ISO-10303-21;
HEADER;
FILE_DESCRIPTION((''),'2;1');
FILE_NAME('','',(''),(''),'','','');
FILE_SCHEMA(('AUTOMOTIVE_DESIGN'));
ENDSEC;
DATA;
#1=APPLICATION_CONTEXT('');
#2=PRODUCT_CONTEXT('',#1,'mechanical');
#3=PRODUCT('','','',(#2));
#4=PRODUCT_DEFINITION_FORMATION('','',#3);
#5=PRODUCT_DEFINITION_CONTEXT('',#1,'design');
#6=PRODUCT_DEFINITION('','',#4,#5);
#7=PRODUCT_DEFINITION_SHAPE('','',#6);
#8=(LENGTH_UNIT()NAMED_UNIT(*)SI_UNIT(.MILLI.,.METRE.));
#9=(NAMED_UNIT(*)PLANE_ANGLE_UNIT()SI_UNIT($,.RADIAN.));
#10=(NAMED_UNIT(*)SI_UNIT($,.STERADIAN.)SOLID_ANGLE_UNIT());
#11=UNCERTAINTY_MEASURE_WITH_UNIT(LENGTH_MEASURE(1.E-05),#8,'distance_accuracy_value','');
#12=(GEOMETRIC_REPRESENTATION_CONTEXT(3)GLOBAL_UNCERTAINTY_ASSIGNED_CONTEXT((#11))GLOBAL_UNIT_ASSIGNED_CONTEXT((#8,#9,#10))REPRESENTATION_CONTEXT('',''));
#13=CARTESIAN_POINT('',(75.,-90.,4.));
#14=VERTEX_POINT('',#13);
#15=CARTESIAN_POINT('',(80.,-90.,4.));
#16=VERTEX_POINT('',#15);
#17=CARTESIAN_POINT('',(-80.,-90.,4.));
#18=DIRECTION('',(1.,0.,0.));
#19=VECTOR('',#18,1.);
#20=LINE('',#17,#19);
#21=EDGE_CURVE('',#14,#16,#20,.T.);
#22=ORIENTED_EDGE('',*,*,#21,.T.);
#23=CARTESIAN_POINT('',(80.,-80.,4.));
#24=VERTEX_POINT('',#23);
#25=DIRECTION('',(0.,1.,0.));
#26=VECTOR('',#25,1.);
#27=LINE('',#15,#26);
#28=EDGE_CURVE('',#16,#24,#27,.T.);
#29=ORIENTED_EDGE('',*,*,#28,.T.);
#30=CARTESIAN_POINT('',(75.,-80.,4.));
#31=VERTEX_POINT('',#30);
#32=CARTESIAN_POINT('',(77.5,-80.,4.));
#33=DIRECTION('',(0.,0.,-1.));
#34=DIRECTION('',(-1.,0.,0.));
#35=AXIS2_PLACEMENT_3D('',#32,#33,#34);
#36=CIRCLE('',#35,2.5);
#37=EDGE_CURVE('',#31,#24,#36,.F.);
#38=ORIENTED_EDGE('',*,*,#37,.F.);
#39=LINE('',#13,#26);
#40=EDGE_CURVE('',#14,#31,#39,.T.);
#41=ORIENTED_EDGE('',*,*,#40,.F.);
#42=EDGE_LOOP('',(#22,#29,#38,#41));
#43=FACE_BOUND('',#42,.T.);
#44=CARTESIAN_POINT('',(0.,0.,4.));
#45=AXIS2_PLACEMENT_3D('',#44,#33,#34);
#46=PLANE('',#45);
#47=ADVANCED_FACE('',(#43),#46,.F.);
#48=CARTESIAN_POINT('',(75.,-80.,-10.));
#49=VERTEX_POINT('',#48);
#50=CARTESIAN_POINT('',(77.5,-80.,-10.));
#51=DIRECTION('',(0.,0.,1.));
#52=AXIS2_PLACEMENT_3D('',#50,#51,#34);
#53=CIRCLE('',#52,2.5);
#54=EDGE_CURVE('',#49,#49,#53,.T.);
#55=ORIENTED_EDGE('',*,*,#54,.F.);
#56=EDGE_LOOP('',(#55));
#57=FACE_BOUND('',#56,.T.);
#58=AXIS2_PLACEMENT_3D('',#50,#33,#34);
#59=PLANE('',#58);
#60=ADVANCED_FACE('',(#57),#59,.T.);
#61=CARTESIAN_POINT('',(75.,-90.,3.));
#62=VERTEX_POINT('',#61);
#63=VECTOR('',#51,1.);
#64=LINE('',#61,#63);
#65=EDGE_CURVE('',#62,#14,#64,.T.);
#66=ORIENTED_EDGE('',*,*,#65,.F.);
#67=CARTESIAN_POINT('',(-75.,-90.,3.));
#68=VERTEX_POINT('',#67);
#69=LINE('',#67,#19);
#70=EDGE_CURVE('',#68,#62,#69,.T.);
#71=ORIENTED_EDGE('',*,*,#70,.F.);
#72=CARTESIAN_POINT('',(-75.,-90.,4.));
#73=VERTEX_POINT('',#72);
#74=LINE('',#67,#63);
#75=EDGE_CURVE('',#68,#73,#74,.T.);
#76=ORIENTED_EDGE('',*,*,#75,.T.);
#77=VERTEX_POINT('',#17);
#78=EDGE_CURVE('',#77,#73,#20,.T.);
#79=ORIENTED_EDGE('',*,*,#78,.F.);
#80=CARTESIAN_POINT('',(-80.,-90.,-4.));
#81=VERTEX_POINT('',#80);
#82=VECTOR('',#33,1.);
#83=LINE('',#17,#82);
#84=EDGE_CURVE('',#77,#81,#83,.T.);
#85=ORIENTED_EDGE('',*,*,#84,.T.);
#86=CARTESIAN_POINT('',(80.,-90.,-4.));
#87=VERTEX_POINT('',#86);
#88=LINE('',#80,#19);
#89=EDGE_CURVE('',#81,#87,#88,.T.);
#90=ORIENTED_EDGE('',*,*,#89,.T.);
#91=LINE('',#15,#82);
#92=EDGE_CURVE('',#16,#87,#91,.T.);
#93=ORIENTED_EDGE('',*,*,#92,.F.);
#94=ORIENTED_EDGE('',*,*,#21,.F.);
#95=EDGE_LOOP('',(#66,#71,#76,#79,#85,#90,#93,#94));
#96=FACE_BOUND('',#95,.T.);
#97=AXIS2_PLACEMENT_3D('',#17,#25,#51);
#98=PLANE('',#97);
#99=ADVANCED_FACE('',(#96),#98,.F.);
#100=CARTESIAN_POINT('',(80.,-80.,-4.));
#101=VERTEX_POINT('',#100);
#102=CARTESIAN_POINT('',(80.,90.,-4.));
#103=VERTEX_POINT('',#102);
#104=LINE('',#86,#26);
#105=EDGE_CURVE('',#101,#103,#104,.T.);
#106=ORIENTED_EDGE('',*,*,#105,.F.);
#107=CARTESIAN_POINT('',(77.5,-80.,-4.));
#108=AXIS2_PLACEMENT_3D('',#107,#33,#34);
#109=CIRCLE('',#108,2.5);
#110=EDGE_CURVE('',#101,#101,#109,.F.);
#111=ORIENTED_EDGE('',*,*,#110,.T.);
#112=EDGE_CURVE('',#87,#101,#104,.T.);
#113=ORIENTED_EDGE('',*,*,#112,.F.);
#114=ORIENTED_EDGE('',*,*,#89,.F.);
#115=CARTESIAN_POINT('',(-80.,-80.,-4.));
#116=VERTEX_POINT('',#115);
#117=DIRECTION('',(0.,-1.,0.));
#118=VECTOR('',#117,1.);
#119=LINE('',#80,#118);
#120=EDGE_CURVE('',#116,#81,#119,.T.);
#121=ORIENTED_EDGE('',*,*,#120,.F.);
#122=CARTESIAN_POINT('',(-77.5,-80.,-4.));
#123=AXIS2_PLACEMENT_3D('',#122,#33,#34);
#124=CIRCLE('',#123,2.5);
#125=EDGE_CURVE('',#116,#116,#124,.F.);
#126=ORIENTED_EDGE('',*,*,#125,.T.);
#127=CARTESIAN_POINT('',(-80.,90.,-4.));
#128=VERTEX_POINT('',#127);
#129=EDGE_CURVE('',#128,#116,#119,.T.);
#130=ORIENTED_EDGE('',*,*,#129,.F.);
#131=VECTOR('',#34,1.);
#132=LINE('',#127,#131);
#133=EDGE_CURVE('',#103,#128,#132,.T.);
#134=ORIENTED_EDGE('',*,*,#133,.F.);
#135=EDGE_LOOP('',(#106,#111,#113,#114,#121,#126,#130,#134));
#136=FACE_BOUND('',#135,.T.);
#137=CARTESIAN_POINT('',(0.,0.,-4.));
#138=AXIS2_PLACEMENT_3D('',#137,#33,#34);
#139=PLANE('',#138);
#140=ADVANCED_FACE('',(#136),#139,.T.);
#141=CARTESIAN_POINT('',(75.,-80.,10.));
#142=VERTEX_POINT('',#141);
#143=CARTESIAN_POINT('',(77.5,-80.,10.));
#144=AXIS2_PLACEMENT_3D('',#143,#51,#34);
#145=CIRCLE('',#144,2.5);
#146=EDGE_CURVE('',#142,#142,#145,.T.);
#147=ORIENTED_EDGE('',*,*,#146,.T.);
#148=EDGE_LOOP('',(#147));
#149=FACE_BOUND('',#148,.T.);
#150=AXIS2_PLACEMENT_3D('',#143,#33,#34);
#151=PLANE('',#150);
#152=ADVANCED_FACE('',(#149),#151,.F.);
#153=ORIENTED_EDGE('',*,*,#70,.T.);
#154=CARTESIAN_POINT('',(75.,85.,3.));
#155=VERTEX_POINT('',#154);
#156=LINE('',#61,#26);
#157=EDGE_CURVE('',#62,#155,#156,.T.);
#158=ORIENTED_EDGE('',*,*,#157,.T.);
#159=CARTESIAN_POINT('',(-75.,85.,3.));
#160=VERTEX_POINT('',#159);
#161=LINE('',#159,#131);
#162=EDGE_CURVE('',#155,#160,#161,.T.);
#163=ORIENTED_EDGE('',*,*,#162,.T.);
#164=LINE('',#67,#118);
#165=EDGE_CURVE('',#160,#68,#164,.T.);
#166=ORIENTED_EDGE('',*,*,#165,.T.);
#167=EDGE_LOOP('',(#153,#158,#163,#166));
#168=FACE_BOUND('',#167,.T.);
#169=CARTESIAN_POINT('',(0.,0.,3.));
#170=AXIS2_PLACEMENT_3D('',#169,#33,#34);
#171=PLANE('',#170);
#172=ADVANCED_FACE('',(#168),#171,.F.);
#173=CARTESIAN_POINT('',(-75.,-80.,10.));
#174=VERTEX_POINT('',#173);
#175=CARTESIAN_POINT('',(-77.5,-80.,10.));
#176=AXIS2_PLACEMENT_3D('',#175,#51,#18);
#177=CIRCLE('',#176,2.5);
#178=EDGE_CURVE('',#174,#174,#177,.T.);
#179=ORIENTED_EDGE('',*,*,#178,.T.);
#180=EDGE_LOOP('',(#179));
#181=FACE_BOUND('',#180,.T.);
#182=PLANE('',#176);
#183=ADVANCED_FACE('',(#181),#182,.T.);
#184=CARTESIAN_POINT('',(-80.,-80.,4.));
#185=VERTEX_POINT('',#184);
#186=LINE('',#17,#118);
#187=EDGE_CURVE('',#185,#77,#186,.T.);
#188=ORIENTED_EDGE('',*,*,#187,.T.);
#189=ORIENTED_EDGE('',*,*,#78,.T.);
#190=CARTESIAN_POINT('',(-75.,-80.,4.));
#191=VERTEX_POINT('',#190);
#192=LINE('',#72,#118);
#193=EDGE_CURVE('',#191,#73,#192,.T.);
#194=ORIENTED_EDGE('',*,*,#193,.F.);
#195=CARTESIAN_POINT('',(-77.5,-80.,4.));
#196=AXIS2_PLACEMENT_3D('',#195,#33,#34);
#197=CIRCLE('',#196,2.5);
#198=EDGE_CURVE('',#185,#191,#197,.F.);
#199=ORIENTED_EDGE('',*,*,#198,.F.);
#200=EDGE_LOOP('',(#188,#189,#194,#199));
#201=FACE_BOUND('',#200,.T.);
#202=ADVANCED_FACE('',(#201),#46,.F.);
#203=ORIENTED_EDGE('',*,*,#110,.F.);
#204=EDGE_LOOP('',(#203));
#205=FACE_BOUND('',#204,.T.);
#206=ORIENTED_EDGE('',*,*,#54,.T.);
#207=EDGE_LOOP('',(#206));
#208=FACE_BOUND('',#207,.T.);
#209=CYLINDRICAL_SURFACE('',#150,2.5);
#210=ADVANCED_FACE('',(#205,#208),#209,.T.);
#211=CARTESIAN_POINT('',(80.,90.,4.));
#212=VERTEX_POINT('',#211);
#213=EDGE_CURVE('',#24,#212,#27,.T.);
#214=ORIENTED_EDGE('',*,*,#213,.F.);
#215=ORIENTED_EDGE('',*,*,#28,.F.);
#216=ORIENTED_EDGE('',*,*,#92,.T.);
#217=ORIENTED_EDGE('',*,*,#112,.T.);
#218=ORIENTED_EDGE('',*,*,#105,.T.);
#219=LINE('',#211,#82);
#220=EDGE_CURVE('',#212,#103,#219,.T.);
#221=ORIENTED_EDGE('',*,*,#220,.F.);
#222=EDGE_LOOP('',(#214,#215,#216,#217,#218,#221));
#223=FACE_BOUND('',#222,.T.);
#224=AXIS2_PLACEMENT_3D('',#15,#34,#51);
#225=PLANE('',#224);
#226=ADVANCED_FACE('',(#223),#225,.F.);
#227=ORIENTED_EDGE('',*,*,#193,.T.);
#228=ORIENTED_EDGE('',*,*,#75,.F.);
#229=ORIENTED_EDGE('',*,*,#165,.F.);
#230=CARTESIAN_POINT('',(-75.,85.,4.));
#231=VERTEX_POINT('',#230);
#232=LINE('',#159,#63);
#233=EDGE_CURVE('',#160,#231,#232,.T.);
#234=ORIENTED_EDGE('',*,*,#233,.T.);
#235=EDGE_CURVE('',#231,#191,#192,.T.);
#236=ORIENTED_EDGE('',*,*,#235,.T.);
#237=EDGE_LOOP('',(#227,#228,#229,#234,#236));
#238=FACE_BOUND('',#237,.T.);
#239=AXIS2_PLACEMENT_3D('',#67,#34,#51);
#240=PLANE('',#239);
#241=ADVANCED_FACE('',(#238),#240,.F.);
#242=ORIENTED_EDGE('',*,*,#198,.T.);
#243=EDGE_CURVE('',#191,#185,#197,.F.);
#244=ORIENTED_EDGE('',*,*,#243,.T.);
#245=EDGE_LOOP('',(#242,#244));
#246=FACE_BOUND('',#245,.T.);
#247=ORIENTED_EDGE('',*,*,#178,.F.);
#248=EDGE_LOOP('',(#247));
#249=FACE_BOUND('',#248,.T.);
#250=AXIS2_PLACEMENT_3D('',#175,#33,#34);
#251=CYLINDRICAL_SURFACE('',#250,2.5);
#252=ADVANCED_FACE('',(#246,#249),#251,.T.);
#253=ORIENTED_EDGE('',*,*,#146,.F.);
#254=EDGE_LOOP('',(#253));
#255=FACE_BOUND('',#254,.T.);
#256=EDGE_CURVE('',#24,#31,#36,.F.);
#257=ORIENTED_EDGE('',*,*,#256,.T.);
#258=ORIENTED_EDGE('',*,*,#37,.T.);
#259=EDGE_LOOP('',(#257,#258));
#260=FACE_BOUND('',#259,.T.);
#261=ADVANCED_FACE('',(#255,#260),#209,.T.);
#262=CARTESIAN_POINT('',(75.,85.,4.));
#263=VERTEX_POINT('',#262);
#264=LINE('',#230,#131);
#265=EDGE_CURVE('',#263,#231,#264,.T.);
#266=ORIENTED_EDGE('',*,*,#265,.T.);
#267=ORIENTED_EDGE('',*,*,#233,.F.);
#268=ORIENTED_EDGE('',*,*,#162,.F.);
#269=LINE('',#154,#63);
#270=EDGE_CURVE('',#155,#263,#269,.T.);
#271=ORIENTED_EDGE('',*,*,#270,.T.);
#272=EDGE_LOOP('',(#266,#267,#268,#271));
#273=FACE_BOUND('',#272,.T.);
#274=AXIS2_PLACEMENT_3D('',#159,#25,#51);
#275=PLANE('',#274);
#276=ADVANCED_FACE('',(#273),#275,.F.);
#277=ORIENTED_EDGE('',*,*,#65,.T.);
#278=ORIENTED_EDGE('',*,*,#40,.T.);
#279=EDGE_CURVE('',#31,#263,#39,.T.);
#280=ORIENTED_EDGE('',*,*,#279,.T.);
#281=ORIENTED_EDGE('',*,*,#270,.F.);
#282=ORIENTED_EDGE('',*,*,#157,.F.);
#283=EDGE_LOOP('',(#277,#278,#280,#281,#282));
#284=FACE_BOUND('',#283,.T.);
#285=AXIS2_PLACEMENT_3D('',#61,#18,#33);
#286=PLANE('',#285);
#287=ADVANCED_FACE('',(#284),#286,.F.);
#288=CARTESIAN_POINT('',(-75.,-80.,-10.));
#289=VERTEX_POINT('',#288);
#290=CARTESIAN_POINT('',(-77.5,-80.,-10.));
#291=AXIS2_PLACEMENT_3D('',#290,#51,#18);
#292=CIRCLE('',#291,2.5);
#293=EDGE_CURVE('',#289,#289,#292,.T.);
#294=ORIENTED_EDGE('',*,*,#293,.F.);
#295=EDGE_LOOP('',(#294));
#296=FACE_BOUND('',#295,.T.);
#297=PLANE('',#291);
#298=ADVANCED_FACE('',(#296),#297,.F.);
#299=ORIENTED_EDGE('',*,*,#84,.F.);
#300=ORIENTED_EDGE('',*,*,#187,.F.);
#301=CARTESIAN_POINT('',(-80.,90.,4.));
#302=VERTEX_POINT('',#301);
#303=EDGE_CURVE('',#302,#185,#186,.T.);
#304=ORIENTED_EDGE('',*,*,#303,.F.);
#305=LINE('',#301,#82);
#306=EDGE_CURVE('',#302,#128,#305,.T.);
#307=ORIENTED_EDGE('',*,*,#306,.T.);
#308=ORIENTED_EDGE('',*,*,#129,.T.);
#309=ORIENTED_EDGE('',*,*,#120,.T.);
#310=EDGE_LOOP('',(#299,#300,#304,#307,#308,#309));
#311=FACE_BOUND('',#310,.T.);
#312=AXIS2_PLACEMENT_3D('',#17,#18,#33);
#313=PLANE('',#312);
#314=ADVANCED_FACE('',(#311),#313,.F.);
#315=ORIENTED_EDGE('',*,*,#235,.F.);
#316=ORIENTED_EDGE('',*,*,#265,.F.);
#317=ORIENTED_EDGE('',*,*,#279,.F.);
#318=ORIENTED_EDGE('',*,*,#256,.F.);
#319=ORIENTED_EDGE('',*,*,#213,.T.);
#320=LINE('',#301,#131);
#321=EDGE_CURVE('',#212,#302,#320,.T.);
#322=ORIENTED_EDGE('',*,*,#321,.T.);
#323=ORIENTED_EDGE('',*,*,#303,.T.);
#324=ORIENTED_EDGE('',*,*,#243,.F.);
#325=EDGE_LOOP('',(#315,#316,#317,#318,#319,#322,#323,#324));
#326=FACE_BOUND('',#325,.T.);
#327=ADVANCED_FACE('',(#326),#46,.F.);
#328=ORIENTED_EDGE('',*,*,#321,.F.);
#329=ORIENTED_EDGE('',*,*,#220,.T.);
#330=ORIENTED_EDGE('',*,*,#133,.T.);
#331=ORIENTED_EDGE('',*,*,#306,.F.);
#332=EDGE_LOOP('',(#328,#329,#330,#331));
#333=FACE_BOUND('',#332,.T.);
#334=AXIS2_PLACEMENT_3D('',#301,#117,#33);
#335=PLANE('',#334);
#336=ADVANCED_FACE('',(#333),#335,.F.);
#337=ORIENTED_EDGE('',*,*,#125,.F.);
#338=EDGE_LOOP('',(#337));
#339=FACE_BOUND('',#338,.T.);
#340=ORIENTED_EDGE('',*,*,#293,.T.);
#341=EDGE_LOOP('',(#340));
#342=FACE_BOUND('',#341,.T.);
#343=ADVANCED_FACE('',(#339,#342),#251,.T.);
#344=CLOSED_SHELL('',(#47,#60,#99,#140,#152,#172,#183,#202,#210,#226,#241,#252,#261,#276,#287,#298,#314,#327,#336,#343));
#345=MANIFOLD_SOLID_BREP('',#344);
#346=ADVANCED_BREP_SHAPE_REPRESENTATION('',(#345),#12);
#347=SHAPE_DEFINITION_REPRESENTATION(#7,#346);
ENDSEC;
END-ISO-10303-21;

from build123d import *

# Parameters (mm, degrees)
SKETCH_1_W          = 160
SKETCH_1_H          = 180
EXTRUDE_1_DEPTH     = 4
SKETCH_2_W          = 150
SKETCH_2_H          = 175
CUT_EXTRUDE_1_DEPTH = 1
SKETCH_3_R          = 2.5
EXTRUDE_2_DEPTH     = 10


with BuildPart() as part:
    # 草图1 → 凸台-拉伸1 (new, symmetric)
    with BuildSketch(Plane.XY):
        Rectangle(SKETCH_1_W, SKETCH_1_H)
    extrude(amount=EXTRUDE_1_DEPTH, both=True)

    # 草图2 → 切除-拉伸1 (cut)
    with BuildSketch(Plane.XY.offset(4)):
        with Locations((0, -2.5)):
            Rectangle(SKETCH_2_W, SKETCH_2_H)
    extrude(amount=-CUT_EXTRUDE_1_DEPTH, mode=Mode.SUBTRACT)

    # 草图3 → 凸台-拉伸2 (add, symmetric)
    with BuildSketch(Plane.XY):
        with Locations(Location((-77.5, -80, 0), (0, 0, 180))):
            Circle(SKETCH_3_R)
        with Locations(Location((77.5, -80, 0), (0, 0, 180))):
            Circle(SKETCH_3_R)
    extrude(amount=EXTRUDE_2_DEPTH, both=True)


solid = part.part
